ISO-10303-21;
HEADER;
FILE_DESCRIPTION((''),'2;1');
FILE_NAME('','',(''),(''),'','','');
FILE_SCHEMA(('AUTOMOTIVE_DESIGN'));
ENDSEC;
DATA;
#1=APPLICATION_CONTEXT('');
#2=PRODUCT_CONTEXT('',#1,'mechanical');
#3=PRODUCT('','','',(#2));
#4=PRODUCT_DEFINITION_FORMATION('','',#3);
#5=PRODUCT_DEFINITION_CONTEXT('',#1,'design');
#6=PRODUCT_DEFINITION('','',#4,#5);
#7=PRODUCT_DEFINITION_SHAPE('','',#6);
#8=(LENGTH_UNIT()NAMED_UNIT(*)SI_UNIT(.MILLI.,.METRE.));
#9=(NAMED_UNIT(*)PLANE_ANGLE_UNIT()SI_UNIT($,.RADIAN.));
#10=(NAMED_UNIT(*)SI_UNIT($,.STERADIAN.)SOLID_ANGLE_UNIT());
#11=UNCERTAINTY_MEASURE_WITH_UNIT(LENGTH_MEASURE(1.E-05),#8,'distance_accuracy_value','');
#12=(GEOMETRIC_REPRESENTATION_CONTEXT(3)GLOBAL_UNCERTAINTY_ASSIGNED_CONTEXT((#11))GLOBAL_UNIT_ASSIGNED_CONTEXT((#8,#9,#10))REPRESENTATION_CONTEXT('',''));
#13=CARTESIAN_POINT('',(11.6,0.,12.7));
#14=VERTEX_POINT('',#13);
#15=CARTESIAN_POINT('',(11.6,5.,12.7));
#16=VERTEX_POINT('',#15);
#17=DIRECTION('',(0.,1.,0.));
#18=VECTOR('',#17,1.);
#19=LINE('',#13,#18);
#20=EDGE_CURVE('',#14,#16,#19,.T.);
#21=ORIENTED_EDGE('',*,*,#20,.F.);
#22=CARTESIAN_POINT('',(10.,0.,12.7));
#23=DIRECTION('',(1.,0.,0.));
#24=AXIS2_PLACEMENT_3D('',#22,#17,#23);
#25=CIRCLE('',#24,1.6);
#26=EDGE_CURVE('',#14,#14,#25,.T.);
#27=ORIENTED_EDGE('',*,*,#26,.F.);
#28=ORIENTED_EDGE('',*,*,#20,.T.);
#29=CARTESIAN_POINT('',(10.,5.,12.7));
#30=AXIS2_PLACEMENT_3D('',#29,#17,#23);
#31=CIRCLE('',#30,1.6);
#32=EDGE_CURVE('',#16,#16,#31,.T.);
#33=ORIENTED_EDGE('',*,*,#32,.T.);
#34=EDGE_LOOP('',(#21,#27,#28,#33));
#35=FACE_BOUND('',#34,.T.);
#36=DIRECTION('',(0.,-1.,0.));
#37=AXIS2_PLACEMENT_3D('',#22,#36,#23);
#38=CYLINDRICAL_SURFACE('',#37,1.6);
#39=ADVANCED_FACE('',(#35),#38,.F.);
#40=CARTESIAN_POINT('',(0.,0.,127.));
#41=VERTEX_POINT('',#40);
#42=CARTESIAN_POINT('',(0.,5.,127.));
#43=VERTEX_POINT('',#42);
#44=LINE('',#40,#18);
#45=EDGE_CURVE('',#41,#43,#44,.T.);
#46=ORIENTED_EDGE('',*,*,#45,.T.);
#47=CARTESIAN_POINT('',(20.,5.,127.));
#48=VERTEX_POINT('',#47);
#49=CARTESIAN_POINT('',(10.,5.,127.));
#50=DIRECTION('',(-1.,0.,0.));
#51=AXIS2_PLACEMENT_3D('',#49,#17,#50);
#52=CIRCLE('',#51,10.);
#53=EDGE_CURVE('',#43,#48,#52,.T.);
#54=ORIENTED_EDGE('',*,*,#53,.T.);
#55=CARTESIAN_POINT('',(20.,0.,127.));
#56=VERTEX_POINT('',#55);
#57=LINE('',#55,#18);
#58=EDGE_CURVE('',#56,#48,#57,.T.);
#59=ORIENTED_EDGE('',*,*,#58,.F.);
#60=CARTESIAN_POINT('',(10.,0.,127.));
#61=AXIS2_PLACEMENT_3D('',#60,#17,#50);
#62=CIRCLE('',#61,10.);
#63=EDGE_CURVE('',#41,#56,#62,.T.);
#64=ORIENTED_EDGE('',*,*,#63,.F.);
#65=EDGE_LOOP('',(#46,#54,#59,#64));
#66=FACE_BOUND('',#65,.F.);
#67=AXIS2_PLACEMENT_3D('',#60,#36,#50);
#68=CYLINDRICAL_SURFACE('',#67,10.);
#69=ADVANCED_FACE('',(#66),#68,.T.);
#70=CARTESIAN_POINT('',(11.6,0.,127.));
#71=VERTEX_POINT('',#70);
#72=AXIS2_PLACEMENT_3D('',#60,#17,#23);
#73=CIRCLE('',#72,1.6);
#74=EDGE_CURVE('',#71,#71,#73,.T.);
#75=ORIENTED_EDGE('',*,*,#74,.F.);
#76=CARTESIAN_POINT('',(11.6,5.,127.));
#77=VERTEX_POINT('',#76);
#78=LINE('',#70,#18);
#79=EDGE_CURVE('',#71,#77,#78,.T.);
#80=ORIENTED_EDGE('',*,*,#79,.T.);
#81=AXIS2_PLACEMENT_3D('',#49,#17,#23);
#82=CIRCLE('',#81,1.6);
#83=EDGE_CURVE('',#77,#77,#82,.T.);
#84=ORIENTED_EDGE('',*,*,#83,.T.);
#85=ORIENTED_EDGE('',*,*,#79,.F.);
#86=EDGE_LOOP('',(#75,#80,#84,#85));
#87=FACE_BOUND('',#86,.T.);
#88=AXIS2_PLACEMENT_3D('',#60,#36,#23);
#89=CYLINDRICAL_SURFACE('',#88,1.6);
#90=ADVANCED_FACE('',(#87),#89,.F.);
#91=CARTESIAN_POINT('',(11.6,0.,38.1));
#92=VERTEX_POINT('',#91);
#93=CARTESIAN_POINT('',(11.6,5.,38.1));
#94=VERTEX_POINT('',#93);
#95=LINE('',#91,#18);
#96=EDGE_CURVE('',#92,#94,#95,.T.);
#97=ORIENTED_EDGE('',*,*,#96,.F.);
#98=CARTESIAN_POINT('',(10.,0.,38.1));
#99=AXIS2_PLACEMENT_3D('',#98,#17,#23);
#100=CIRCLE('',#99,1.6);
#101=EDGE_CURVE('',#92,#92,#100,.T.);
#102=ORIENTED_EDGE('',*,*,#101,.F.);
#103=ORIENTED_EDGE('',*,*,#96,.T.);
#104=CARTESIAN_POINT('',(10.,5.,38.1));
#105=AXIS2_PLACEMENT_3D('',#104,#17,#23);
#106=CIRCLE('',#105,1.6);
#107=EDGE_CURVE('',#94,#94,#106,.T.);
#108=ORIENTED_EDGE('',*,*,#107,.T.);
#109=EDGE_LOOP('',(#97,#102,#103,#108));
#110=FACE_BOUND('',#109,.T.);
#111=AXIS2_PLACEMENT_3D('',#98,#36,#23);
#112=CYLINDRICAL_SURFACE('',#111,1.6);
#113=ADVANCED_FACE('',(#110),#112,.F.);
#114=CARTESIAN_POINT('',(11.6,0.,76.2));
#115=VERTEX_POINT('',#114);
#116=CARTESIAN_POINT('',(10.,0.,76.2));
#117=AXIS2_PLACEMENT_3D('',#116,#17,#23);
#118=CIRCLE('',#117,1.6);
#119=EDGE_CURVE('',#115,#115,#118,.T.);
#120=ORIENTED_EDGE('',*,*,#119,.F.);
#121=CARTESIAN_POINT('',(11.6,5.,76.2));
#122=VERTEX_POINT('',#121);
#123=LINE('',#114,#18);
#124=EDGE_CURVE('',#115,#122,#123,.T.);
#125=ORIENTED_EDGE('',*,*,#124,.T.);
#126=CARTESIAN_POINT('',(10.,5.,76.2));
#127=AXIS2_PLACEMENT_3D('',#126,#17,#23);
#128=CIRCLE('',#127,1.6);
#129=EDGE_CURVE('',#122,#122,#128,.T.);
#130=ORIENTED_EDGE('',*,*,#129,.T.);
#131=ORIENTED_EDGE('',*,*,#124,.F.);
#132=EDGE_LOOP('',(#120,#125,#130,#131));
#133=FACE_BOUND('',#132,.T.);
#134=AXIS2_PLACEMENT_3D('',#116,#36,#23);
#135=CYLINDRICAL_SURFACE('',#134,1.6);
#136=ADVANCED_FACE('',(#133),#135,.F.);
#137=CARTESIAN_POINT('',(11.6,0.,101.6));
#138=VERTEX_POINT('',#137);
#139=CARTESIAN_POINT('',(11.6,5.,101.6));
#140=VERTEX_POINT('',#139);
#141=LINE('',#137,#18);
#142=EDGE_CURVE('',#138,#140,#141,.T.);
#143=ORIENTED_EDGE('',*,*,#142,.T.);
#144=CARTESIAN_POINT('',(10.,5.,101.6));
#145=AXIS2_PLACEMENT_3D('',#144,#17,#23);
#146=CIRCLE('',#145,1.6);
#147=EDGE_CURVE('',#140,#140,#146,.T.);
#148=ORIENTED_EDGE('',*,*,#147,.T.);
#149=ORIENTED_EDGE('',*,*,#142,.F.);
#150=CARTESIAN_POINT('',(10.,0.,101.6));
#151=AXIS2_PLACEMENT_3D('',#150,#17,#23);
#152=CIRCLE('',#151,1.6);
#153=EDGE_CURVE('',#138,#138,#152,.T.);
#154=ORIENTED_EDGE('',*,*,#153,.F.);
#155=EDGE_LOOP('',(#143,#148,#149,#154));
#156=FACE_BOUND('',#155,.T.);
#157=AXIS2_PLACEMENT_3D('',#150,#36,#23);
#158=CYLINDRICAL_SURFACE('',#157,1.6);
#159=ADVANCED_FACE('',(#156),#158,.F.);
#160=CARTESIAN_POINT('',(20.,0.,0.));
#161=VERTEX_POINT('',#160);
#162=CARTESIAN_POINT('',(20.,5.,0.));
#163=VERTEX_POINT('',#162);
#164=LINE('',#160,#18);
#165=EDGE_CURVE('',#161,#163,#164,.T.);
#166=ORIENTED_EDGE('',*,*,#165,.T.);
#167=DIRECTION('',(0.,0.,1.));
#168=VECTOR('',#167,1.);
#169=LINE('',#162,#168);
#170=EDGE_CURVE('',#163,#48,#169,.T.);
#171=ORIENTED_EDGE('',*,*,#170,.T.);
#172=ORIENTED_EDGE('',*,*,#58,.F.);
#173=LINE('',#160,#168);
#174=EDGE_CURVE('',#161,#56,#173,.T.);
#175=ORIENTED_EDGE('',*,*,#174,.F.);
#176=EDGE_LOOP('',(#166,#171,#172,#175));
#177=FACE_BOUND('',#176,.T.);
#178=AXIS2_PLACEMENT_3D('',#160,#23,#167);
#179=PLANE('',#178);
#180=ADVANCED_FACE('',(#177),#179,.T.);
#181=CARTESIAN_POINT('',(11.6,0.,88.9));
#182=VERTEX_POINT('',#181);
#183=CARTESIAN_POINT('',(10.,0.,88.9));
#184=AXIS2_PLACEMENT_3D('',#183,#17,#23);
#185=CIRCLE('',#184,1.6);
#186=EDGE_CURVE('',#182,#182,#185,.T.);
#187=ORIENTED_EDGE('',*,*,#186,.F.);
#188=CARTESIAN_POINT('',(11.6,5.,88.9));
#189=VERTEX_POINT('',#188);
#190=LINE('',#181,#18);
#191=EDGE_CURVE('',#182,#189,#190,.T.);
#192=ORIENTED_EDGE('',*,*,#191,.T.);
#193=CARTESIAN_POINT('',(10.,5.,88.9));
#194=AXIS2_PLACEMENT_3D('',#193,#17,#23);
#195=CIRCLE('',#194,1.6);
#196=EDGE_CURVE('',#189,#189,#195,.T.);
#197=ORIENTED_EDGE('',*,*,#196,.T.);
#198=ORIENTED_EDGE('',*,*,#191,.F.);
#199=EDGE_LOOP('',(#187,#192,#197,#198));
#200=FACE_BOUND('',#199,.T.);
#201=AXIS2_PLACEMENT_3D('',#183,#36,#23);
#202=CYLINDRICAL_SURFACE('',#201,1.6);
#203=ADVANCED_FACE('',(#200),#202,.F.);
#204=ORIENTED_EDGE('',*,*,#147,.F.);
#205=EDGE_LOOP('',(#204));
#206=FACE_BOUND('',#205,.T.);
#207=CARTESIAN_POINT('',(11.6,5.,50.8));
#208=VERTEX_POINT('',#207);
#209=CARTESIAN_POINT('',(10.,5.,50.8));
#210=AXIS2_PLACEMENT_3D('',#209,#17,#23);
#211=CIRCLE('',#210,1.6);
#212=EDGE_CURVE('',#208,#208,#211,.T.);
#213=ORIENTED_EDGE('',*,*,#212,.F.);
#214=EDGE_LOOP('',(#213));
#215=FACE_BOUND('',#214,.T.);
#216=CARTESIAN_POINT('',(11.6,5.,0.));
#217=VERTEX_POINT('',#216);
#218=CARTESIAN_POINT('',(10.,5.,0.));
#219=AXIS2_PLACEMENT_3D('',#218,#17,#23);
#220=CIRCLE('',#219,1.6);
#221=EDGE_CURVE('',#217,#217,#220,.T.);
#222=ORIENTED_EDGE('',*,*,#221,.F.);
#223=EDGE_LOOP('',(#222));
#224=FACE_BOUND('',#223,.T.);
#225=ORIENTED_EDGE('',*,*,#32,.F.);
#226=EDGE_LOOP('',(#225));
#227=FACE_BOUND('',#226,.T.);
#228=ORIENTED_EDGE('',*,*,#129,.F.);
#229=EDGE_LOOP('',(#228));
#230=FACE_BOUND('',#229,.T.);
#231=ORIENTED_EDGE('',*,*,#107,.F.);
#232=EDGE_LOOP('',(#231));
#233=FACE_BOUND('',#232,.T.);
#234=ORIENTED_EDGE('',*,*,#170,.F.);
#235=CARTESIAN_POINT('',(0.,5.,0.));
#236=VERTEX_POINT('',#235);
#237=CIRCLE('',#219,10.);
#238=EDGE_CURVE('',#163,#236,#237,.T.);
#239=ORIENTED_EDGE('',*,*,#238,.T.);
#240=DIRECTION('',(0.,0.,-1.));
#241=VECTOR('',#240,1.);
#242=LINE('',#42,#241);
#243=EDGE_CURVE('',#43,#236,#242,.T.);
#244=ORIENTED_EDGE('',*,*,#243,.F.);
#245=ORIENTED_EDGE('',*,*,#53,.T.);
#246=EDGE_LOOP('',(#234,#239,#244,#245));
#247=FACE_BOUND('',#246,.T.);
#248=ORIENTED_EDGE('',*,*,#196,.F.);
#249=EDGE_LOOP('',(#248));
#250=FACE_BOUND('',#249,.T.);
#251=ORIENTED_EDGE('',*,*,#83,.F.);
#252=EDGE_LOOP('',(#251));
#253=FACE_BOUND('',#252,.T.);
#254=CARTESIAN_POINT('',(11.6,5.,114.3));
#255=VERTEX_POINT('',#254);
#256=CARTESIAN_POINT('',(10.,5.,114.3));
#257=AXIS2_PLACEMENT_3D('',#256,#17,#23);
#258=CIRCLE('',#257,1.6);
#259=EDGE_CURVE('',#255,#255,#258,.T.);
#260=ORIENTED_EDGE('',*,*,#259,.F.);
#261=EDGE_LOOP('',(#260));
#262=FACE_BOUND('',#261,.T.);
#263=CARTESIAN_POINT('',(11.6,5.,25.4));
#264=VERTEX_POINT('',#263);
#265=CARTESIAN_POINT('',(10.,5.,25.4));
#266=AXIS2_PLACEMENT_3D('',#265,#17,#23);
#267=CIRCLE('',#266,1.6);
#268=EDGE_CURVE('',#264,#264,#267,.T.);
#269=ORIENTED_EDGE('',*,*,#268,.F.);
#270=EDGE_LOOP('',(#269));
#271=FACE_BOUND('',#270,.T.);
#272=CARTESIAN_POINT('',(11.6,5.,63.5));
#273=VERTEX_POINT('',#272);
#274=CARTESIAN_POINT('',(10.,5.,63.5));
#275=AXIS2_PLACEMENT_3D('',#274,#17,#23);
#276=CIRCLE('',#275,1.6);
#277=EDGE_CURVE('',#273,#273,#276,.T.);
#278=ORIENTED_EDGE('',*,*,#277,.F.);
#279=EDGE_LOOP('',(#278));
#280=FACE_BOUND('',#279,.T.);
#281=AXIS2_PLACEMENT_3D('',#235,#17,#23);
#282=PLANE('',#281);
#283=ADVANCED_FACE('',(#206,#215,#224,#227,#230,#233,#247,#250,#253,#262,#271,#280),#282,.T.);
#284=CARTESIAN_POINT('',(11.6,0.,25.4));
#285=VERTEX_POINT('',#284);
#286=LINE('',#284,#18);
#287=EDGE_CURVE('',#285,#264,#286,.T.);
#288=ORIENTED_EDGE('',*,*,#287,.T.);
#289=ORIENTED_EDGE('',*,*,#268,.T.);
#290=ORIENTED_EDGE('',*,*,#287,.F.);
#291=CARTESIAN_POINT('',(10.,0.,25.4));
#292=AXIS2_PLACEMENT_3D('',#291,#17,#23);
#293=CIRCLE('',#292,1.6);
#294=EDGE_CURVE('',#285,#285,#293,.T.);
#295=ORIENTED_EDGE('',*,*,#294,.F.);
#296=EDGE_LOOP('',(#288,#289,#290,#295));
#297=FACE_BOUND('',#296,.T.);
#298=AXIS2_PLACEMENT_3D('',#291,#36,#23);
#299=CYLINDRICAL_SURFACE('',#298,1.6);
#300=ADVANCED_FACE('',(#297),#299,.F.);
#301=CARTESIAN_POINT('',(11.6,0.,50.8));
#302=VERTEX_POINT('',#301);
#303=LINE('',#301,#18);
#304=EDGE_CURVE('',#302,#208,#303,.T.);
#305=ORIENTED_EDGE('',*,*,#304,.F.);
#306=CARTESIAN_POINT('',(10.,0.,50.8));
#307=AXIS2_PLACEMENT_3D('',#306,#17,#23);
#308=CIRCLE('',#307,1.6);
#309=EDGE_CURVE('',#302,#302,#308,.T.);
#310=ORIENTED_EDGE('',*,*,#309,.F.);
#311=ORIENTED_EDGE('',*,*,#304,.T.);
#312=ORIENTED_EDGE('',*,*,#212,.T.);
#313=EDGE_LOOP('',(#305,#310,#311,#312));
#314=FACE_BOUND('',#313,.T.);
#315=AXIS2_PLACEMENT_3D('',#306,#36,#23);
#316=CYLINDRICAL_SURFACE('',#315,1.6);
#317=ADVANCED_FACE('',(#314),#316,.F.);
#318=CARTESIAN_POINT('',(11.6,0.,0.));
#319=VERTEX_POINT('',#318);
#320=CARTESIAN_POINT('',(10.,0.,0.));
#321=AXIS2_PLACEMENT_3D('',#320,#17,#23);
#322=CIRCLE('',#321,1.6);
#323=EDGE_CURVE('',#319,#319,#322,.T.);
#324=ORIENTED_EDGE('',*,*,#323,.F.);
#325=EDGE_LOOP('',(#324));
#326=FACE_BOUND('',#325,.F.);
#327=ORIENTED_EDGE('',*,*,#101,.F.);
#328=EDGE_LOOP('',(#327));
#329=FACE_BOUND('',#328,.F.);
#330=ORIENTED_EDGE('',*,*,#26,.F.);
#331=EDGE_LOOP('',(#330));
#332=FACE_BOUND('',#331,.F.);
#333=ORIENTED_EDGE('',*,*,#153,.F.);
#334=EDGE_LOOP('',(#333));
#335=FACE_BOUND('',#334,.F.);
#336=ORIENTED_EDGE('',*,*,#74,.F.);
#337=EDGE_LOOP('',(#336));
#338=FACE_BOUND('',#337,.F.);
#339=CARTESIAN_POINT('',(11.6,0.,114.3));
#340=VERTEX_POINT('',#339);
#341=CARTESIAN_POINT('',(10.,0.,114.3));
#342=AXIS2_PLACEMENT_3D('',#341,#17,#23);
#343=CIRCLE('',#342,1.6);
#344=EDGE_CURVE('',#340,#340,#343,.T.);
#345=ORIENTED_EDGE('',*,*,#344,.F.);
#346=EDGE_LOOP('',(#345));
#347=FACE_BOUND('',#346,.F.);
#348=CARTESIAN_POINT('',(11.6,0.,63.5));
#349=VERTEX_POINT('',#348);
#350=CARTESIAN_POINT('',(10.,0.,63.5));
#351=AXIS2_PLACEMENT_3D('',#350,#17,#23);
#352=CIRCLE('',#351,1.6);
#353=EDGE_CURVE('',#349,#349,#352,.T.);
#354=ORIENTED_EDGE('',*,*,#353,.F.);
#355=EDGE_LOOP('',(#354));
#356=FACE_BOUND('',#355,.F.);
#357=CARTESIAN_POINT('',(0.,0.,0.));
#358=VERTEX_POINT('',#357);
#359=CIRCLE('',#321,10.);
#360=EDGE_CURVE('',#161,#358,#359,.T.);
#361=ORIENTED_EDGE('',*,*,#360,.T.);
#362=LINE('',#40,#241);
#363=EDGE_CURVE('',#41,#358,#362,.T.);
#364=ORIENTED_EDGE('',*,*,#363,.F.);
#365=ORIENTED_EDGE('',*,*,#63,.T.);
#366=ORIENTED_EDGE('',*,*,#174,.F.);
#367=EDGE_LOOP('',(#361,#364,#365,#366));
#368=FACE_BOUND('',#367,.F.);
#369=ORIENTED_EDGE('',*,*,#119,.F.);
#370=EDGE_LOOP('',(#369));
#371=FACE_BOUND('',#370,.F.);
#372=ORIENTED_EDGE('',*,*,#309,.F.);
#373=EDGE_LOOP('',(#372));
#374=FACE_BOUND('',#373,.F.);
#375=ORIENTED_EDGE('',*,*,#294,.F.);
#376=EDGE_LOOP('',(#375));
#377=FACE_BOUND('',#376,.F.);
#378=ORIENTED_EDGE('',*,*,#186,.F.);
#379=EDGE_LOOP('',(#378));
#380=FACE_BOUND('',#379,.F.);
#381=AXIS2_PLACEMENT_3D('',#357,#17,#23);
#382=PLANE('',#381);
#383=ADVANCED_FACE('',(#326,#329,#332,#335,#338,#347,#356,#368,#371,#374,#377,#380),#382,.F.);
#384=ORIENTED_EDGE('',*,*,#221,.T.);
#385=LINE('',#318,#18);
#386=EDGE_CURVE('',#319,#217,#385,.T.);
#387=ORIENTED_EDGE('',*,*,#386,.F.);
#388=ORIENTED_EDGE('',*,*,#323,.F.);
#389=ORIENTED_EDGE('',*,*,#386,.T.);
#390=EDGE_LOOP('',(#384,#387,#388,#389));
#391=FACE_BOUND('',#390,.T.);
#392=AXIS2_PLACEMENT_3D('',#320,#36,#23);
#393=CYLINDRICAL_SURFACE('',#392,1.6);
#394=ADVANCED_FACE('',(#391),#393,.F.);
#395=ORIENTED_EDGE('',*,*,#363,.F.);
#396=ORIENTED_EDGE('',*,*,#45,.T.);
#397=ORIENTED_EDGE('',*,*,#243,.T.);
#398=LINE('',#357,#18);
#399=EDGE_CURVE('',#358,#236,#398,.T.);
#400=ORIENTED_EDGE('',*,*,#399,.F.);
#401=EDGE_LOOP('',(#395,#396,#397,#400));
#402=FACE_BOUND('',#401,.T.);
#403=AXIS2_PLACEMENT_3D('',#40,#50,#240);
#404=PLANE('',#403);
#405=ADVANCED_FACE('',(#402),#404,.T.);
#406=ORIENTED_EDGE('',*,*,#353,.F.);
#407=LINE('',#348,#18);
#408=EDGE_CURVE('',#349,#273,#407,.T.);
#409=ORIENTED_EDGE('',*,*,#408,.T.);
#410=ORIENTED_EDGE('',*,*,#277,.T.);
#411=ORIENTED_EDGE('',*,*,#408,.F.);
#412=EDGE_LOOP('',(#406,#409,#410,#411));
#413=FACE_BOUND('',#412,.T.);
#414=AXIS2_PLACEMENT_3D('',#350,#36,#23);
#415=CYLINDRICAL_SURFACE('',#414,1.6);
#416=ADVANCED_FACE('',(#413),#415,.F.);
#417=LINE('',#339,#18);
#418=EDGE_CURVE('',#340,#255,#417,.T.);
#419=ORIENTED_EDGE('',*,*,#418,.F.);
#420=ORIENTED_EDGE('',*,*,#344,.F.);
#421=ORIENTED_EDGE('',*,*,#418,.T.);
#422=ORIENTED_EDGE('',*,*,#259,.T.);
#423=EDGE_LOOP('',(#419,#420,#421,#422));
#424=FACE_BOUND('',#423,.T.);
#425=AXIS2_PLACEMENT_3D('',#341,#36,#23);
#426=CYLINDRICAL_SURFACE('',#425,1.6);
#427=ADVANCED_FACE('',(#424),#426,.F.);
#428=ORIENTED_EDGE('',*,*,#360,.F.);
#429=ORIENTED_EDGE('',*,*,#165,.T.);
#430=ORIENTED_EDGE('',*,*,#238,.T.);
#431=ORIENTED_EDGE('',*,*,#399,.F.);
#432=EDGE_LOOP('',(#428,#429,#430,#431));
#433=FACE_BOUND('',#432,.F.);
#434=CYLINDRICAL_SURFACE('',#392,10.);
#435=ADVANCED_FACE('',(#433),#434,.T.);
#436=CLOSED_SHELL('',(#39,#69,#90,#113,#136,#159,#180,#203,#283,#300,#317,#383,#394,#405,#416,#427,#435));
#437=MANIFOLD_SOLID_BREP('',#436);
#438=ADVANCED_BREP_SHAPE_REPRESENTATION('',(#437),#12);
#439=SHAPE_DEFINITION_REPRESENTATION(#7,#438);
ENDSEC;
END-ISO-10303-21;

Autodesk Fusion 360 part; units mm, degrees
sketch "Sketch1" plane through (0, 0, 0) normal (0, 1, 0) x (1, 0, 0)
  line L0 (20, 0) -> (20, -127)
  line L1 (0, -127) -> (0, 0)
  arc A0 (0, -127) -> (20, -127) centre (10, -127) ccw
  arc A1 (20, 0) -> (0, 0) centre (10, 0) ccw
  circle A2 centre (10, 0) radius 1.6
  circle A3 centre (10, -127) radius 1.6
  circle A4 centre (10, -114.3) radius 1.6
  circle A5 centre (10, -101.6) radius 1.6
  circle A6 centre (10, -88.9) radius 1.6
  circle A7 centre (10, -76.2) radius 1.6
  circle A8 centre (10, -63.5) radius 1.6
  circle A9 centre (10, -50.8) radius 1.6
  circle A10 centre (10, -38.1) radius 1.6
  circle A11 centre (10, -25.4) radius 1.6
  circle A12 centre (10, -12.7) radius 1.6
  dimension "d1" = 20
  dimension "d2" = 127
  dimension "d3" = 3.2
  dimension "d4" = 3.2
  dimension "d9" = 0
  dimension "d10" = 12.7
extrude "Extrude1" add sketch "Sketch1" along normal blind 5
